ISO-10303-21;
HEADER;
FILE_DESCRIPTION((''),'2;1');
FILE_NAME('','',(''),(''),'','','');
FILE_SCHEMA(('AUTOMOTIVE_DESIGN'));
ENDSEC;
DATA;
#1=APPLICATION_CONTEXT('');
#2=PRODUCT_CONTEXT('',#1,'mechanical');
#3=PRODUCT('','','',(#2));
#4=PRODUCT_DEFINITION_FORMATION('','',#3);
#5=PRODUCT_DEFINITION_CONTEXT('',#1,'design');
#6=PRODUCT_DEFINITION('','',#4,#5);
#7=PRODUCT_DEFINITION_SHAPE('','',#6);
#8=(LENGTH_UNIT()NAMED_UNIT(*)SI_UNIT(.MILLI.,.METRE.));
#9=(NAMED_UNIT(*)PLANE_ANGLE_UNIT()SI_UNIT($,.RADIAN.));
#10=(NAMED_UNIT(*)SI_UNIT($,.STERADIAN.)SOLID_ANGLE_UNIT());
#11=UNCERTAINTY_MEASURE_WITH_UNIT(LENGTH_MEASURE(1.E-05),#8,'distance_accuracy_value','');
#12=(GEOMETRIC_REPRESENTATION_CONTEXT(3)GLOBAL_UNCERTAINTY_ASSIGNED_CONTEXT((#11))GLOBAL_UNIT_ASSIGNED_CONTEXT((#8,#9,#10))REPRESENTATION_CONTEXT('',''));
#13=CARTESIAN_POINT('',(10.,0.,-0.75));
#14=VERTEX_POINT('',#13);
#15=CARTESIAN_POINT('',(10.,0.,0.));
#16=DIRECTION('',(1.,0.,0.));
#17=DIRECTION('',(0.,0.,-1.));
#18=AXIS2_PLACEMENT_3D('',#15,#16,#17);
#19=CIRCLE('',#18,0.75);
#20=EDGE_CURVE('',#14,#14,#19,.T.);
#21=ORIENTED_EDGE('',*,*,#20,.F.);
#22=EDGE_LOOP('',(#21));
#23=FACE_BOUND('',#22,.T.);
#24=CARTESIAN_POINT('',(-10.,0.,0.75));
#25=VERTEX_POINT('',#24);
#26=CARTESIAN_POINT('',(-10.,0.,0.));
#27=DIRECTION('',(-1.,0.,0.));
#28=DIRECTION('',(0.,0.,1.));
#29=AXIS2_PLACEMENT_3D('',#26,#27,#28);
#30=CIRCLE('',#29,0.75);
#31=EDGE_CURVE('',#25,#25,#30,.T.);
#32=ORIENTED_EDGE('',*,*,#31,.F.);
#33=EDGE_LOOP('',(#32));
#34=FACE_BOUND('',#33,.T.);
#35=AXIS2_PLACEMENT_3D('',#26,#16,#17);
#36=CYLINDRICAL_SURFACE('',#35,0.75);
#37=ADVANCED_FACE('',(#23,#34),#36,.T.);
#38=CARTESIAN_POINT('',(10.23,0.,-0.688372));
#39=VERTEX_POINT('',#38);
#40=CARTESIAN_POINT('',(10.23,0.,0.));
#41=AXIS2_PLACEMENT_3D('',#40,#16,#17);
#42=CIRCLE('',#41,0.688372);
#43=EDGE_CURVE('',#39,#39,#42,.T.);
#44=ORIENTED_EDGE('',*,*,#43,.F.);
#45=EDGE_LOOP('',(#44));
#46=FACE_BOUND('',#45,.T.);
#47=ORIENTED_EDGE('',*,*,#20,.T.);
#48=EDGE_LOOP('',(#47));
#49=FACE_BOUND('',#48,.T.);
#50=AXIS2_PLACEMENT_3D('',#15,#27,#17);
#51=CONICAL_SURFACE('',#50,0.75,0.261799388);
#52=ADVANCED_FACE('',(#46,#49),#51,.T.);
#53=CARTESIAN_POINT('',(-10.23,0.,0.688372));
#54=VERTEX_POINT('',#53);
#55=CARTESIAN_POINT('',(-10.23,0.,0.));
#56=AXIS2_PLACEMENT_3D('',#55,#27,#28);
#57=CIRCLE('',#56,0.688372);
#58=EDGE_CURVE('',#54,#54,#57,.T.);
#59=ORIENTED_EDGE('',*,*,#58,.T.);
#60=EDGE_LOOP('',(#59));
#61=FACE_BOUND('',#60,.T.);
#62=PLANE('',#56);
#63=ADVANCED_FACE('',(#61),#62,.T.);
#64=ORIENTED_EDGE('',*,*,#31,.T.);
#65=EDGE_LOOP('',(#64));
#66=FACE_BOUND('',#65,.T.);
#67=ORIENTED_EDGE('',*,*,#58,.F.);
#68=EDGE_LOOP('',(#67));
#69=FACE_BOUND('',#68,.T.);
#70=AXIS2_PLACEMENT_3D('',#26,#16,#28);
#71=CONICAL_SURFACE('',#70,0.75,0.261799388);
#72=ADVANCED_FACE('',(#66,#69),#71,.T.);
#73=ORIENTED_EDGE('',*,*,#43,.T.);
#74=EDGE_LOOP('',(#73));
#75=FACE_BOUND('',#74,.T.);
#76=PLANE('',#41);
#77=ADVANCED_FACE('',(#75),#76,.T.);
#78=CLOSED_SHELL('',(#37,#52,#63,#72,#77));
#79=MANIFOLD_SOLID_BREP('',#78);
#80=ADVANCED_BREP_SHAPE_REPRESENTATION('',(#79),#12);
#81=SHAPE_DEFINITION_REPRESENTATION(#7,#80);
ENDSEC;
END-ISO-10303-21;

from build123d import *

# Parameters (mm, degrees)
SKETCH2_R           = 0.75
EXTRUDE1_DEPTH      = 10
EXTRUDE1_DEPTH_BACK = 10
SKETCH3_R           = 0.75
EXTRUDE2_DEPTH      = 0.23
EXTRUDE2_TAPER      = 15
SKETCH4_R           = 0.75
EXTRUDE3_DEPTH      = 0.23
EXTRUDE3_TAPER      = 15


with BuildPart() as part:
    # Sketch2 → Extrude1 (new body, two sides)
    with BuildSketch(Plane(origin=(0, 0, 0), x_dir=(0, 0, -1), z_dir=(1, 0, 0))) as extrude1_sk:
        Circle(SKETCH2_R)
    extrude(amount=EXTRUDE1_DEPTH)
    extrude(extrude1_sk.sketch, amount=-EXTRUDE1_DEPTH_BACK)

    # Sketch3 → Extrude2 (add)
    with BuildSketch(Plane(origin=(10, 0, 0), x_dir=(0, 0, -1), z_dir=(1, 0, 0))):
        Circle(SKETCH3_R)
    extrude(amount=EXTRUDE2_DEPTH, taper=EXTRUDE2_TAPER)

    # Sketch4 → Extrude3 (add)
    with BuildSketch(Plane.ZY.offset(10)):
        Circle(SKETCH4_R)
    extrude(amount=EXTRUDE3_DEPTH, taper=EXTRUDE3_TAPER)


solid = part.part
